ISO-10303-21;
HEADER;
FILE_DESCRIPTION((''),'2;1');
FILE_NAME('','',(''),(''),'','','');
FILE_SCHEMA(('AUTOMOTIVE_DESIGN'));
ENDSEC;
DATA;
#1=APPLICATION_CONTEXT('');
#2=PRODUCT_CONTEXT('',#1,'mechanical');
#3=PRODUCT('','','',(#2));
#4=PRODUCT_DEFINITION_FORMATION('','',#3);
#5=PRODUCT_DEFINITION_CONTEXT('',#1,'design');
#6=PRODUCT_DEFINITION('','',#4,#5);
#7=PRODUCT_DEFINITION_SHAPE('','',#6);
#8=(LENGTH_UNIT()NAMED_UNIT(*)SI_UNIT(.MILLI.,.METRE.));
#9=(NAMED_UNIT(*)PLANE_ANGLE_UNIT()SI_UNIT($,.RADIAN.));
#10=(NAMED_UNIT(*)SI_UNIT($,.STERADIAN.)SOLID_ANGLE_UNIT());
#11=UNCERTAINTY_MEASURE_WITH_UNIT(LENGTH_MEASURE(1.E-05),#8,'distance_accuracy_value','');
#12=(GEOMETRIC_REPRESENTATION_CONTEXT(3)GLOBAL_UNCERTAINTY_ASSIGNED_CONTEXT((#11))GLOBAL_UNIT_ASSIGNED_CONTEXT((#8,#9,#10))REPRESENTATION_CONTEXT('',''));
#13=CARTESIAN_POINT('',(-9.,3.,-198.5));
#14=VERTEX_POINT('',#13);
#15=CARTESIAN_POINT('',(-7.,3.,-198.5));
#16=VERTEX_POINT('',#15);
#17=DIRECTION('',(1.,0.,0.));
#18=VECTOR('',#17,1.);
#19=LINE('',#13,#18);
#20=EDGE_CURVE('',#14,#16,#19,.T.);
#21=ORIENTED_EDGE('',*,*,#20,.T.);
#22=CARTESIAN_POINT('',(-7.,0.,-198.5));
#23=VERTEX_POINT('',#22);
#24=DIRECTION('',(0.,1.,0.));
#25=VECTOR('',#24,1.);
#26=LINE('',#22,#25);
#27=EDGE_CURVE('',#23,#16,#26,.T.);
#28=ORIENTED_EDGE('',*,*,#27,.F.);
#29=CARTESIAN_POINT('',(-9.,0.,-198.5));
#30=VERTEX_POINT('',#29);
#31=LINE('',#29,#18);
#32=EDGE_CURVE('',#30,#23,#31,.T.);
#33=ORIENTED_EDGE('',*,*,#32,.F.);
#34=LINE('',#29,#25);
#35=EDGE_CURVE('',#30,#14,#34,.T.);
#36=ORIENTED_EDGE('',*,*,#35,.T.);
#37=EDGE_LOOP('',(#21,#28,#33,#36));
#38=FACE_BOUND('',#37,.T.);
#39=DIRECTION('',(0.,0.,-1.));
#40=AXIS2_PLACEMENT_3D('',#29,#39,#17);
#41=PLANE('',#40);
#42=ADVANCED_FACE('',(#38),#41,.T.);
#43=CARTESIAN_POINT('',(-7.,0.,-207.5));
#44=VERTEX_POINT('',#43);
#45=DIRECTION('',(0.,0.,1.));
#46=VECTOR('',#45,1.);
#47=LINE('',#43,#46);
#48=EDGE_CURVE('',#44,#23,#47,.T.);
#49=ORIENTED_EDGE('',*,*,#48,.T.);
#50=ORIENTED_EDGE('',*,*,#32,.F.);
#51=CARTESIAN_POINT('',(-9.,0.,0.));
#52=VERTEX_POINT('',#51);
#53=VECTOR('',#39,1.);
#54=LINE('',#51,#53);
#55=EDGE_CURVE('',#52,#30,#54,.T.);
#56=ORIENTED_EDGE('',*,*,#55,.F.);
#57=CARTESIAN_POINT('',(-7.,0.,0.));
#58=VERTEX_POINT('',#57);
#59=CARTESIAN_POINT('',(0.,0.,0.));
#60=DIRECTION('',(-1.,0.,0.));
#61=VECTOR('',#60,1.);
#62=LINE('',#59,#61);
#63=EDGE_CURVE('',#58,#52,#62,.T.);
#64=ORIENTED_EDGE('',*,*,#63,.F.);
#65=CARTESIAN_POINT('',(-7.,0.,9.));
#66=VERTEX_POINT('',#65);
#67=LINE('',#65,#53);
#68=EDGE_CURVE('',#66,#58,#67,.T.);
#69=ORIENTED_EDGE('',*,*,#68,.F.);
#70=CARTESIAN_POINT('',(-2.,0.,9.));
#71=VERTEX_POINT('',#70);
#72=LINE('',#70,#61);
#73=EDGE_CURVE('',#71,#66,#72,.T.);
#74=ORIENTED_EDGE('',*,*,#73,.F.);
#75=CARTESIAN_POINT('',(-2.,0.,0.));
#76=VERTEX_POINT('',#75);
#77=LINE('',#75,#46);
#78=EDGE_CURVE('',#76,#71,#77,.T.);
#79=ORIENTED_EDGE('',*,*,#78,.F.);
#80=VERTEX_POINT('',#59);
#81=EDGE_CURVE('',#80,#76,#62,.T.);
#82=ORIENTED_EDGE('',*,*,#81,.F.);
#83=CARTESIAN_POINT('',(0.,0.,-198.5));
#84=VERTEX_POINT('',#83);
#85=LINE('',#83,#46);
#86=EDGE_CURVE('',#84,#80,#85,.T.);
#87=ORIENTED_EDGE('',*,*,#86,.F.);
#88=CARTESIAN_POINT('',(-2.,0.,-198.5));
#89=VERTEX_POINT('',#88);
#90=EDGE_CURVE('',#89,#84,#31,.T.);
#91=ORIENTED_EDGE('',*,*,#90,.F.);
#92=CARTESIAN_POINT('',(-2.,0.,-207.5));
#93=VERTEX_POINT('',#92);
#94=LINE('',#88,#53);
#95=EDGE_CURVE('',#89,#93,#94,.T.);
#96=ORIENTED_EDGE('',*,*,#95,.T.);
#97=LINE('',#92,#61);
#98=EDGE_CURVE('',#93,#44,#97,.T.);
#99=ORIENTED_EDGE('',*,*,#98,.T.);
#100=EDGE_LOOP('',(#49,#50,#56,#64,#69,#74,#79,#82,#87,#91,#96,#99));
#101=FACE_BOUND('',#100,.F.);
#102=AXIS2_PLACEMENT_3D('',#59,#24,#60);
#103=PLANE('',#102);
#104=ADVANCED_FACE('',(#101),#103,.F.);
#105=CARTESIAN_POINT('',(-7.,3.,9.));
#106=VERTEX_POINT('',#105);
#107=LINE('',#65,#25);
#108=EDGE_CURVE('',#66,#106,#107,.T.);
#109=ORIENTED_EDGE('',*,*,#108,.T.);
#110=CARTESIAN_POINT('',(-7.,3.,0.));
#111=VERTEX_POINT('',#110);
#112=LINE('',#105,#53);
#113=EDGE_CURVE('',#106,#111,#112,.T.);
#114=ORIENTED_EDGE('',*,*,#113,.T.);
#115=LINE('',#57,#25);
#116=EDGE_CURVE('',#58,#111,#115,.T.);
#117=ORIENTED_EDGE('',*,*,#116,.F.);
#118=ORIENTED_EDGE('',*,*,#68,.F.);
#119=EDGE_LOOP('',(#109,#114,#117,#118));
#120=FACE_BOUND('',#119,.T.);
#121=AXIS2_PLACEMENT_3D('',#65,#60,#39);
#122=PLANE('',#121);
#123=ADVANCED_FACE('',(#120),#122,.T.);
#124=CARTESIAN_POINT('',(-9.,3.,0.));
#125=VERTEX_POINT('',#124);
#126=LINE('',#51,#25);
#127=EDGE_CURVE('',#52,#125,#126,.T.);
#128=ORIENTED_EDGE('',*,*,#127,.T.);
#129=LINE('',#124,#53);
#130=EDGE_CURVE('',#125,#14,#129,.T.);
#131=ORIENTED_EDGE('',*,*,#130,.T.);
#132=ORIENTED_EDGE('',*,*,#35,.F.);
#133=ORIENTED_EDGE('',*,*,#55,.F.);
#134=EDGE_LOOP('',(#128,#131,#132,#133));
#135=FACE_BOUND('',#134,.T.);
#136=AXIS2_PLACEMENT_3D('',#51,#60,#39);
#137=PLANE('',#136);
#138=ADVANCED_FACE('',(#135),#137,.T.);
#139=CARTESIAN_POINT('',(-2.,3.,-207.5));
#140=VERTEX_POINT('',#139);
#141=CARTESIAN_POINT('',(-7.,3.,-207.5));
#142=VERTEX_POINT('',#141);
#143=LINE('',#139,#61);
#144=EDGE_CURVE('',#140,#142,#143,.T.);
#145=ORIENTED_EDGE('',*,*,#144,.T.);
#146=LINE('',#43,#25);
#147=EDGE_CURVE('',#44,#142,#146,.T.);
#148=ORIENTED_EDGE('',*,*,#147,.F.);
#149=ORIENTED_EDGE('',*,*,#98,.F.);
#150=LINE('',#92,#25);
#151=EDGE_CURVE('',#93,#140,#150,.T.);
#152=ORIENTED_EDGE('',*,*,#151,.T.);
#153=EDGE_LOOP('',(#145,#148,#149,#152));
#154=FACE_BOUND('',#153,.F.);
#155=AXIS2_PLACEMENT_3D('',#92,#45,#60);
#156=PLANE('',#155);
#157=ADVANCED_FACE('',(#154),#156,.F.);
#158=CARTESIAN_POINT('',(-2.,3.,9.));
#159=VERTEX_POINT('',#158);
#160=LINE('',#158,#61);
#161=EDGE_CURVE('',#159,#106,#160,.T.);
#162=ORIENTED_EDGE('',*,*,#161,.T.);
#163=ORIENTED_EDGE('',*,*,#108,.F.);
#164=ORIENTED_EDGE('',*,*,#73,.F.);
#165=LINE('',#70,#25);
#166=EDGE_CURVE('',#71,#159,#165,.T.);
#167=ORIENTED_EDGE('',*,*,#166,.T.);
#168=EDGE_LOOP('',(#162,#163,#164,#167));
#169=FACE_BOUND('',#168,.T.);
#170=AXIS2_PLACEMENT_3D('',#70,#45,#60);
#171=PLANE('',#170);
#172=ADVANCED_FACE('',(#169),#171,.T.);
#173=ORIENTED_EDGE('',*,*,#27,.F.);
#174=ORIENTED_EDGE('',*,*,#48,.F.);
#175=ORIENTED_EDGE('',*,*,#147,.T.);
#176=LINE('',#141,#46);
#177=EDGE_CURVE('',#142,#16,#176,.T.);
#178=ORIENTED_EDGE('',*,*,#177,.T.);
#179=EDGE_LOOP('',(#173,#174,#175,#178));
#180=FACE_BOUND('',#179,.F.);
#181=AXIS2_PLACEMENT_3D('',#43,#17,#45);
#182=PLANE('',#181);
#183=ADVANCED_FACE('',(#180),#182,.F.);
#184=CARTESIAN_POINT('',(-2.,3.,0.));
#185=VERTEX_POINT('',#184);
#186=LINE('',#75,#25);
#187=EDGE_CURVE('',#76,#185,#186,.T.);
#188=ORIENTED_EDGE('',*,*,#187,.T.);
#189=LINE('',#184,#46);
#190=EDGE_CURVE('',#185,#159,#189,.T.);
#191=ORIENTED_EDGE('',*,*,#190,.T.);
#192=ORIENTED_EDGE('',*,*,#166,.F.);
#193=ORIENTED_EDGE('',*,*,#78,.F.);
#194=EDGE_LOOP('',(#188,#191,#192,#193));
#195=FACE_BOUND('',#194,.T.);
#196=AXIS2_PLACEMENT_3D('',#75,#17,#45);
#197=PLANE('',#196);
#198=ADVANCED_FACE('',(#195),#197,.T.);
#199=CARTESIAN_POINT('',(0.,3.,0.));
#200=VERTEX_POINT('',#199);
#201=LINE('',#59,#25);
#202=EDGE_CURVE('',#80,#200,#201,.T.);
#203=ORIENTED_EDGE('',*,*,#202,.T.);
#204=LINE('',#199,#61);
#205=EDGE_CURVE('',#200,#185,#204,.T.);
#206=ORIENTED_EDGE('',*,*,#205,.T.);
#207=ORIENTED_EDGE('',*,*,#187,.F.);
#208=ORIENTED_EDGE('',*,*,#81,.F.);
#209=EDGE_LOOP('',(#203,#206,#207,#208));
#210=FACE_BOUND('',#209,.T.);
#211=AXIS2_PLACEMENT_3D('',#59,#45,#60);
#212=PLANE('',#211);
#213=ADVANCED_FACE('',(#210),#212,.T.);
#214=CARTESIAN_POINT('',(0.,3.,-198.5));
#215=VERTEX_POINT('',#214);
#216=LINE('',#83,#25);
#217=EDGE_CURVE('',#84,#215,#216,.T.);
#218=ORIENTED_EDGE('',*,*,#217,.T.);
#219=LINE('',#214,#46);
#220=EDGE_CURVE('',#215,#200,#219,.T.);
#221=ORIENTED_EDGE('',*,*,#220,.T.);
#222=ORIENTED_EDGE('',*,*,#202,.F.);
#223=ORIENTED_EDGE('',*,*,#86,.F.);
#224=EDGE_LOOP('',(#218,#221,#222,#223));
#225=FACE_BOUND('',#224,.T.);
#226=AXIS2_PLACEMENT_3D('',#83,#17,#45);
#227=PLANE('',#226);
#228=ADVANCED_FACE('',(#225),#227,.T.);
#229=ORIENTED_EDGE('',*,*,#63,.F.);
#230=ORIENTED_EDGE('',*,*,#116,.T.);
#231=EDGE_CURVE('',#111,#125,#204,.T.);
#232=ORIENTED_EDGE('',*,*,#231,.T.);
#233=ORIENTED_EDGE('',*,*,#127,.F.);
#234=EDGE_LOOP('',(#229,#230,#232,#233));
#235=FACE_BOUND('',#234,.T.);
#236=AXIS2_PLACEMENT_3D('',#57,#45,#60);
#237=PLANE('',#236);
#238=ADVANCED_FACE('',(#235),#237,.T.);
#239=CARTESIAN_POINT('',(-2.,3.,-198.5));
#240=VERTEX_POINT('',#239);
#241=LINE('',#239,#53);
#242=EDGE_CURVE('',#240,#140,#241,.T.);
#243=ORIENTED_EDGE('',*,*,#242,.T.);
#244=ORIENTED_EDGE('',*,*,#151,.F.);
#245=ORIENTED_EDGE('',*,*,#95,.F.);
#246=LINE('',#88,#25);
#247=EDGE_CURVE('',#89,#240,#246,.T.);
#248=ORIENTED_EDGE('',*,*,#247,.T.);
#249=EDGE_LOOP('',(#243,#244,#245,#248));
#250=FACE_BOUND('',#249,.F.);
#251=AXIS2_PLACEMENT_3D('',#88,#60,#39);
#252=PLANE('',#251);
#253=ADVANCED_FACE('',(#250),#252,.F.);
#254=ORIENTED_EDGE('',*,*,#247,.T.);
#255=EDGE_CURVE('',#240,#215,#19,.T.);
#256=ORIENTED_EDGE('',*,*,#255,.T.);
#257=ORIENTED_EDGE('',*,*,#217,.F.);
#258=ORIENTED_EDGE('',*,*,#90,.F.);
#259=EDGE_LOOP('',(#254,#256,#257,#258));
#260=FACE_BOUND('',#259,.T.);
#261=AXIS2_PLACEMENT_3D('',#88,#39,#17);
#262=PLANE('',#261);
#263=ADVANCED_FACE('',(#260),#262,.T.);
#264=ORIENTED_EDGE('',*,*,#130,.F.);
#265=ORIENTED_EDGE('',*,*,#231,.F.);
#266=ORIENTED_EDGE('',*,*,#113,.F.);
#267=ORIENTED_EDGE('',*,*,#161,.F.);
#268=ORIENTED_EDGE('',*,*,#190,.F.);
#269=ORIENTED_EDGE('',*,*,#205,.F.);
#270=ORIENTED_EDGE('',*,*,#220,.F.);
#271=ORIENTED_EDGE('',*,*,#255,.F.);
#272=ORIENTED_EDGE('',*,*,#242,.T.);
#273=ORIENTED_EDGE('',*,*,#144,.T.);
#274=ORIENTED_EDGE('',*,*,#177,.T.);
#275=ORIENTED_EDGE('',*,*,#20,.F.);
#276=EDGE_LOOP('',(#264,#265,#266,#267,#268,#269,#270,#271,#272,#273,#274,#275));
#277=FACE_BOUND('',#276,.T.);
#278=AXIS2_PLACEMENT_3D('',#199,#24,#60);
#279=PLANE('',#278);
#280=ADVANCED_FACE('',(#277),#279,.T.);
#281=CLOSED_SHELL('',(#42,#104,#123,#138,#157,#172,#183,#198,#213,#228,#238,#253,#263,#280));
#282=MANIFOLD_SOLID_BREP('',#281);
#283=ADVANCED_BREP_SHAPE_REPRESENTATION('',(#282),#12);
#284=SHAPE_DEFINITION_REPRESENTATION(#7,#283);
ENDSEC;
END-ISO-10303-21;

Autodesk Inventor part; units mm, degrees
ref_plane "YZ Plane" through (0, 0, 0) normal (1, 0, 0) x (0, 1, 0)
ref_plane "XZ Plane" through (0, 0, 0) normal (0, 1, 0) x (-1, 0, 0)
ref_plane "XY Plane" through (0, 0, 0) normal (0, 0, 1) x (1, 0, 0)
sketch "草圖1" plane through (0, 0, 0) normal (0, 1, 0) x (-1, 0, 0)
  line L0 (0, 0) -> (9, 0)
  line L1 (9, 0) -> (9, -198.5)
  line L2 (9, -198.5) -> (0, -198.5)
  line L3 (0, -198.5) -> (0, 0)
  line L4 (7, 0) -> (2, 0)
  line L5 (2, 0) -> (2, 9)
  line L6 (2, 9) -> (7, 9)
  line L7 (7, 9) -> (7, 0)
  line L8 (7, -198.5) -> (2, -198.5)
  line L9 (2, -198.5) -> (2, -207.5)
  line L10 (2, -207.5) -> (7, -207.5)
  line L11 (7, -207.5) -> (7, -198.5)
  point P0 (4.5, 0)
  point P1 (4.5, -198.5)
  dimension "d0" = 198.5
  dimension "d1" = 9
  dimension "d2" = 9
  dimension "d3" = 5
  dimension "d4" = 9
  dimension "d5" = 5
extrude "擠出1" add sketch "草圖1" along normal blind 3
properties part number "side_Bar" material "木材 (樺木)"
